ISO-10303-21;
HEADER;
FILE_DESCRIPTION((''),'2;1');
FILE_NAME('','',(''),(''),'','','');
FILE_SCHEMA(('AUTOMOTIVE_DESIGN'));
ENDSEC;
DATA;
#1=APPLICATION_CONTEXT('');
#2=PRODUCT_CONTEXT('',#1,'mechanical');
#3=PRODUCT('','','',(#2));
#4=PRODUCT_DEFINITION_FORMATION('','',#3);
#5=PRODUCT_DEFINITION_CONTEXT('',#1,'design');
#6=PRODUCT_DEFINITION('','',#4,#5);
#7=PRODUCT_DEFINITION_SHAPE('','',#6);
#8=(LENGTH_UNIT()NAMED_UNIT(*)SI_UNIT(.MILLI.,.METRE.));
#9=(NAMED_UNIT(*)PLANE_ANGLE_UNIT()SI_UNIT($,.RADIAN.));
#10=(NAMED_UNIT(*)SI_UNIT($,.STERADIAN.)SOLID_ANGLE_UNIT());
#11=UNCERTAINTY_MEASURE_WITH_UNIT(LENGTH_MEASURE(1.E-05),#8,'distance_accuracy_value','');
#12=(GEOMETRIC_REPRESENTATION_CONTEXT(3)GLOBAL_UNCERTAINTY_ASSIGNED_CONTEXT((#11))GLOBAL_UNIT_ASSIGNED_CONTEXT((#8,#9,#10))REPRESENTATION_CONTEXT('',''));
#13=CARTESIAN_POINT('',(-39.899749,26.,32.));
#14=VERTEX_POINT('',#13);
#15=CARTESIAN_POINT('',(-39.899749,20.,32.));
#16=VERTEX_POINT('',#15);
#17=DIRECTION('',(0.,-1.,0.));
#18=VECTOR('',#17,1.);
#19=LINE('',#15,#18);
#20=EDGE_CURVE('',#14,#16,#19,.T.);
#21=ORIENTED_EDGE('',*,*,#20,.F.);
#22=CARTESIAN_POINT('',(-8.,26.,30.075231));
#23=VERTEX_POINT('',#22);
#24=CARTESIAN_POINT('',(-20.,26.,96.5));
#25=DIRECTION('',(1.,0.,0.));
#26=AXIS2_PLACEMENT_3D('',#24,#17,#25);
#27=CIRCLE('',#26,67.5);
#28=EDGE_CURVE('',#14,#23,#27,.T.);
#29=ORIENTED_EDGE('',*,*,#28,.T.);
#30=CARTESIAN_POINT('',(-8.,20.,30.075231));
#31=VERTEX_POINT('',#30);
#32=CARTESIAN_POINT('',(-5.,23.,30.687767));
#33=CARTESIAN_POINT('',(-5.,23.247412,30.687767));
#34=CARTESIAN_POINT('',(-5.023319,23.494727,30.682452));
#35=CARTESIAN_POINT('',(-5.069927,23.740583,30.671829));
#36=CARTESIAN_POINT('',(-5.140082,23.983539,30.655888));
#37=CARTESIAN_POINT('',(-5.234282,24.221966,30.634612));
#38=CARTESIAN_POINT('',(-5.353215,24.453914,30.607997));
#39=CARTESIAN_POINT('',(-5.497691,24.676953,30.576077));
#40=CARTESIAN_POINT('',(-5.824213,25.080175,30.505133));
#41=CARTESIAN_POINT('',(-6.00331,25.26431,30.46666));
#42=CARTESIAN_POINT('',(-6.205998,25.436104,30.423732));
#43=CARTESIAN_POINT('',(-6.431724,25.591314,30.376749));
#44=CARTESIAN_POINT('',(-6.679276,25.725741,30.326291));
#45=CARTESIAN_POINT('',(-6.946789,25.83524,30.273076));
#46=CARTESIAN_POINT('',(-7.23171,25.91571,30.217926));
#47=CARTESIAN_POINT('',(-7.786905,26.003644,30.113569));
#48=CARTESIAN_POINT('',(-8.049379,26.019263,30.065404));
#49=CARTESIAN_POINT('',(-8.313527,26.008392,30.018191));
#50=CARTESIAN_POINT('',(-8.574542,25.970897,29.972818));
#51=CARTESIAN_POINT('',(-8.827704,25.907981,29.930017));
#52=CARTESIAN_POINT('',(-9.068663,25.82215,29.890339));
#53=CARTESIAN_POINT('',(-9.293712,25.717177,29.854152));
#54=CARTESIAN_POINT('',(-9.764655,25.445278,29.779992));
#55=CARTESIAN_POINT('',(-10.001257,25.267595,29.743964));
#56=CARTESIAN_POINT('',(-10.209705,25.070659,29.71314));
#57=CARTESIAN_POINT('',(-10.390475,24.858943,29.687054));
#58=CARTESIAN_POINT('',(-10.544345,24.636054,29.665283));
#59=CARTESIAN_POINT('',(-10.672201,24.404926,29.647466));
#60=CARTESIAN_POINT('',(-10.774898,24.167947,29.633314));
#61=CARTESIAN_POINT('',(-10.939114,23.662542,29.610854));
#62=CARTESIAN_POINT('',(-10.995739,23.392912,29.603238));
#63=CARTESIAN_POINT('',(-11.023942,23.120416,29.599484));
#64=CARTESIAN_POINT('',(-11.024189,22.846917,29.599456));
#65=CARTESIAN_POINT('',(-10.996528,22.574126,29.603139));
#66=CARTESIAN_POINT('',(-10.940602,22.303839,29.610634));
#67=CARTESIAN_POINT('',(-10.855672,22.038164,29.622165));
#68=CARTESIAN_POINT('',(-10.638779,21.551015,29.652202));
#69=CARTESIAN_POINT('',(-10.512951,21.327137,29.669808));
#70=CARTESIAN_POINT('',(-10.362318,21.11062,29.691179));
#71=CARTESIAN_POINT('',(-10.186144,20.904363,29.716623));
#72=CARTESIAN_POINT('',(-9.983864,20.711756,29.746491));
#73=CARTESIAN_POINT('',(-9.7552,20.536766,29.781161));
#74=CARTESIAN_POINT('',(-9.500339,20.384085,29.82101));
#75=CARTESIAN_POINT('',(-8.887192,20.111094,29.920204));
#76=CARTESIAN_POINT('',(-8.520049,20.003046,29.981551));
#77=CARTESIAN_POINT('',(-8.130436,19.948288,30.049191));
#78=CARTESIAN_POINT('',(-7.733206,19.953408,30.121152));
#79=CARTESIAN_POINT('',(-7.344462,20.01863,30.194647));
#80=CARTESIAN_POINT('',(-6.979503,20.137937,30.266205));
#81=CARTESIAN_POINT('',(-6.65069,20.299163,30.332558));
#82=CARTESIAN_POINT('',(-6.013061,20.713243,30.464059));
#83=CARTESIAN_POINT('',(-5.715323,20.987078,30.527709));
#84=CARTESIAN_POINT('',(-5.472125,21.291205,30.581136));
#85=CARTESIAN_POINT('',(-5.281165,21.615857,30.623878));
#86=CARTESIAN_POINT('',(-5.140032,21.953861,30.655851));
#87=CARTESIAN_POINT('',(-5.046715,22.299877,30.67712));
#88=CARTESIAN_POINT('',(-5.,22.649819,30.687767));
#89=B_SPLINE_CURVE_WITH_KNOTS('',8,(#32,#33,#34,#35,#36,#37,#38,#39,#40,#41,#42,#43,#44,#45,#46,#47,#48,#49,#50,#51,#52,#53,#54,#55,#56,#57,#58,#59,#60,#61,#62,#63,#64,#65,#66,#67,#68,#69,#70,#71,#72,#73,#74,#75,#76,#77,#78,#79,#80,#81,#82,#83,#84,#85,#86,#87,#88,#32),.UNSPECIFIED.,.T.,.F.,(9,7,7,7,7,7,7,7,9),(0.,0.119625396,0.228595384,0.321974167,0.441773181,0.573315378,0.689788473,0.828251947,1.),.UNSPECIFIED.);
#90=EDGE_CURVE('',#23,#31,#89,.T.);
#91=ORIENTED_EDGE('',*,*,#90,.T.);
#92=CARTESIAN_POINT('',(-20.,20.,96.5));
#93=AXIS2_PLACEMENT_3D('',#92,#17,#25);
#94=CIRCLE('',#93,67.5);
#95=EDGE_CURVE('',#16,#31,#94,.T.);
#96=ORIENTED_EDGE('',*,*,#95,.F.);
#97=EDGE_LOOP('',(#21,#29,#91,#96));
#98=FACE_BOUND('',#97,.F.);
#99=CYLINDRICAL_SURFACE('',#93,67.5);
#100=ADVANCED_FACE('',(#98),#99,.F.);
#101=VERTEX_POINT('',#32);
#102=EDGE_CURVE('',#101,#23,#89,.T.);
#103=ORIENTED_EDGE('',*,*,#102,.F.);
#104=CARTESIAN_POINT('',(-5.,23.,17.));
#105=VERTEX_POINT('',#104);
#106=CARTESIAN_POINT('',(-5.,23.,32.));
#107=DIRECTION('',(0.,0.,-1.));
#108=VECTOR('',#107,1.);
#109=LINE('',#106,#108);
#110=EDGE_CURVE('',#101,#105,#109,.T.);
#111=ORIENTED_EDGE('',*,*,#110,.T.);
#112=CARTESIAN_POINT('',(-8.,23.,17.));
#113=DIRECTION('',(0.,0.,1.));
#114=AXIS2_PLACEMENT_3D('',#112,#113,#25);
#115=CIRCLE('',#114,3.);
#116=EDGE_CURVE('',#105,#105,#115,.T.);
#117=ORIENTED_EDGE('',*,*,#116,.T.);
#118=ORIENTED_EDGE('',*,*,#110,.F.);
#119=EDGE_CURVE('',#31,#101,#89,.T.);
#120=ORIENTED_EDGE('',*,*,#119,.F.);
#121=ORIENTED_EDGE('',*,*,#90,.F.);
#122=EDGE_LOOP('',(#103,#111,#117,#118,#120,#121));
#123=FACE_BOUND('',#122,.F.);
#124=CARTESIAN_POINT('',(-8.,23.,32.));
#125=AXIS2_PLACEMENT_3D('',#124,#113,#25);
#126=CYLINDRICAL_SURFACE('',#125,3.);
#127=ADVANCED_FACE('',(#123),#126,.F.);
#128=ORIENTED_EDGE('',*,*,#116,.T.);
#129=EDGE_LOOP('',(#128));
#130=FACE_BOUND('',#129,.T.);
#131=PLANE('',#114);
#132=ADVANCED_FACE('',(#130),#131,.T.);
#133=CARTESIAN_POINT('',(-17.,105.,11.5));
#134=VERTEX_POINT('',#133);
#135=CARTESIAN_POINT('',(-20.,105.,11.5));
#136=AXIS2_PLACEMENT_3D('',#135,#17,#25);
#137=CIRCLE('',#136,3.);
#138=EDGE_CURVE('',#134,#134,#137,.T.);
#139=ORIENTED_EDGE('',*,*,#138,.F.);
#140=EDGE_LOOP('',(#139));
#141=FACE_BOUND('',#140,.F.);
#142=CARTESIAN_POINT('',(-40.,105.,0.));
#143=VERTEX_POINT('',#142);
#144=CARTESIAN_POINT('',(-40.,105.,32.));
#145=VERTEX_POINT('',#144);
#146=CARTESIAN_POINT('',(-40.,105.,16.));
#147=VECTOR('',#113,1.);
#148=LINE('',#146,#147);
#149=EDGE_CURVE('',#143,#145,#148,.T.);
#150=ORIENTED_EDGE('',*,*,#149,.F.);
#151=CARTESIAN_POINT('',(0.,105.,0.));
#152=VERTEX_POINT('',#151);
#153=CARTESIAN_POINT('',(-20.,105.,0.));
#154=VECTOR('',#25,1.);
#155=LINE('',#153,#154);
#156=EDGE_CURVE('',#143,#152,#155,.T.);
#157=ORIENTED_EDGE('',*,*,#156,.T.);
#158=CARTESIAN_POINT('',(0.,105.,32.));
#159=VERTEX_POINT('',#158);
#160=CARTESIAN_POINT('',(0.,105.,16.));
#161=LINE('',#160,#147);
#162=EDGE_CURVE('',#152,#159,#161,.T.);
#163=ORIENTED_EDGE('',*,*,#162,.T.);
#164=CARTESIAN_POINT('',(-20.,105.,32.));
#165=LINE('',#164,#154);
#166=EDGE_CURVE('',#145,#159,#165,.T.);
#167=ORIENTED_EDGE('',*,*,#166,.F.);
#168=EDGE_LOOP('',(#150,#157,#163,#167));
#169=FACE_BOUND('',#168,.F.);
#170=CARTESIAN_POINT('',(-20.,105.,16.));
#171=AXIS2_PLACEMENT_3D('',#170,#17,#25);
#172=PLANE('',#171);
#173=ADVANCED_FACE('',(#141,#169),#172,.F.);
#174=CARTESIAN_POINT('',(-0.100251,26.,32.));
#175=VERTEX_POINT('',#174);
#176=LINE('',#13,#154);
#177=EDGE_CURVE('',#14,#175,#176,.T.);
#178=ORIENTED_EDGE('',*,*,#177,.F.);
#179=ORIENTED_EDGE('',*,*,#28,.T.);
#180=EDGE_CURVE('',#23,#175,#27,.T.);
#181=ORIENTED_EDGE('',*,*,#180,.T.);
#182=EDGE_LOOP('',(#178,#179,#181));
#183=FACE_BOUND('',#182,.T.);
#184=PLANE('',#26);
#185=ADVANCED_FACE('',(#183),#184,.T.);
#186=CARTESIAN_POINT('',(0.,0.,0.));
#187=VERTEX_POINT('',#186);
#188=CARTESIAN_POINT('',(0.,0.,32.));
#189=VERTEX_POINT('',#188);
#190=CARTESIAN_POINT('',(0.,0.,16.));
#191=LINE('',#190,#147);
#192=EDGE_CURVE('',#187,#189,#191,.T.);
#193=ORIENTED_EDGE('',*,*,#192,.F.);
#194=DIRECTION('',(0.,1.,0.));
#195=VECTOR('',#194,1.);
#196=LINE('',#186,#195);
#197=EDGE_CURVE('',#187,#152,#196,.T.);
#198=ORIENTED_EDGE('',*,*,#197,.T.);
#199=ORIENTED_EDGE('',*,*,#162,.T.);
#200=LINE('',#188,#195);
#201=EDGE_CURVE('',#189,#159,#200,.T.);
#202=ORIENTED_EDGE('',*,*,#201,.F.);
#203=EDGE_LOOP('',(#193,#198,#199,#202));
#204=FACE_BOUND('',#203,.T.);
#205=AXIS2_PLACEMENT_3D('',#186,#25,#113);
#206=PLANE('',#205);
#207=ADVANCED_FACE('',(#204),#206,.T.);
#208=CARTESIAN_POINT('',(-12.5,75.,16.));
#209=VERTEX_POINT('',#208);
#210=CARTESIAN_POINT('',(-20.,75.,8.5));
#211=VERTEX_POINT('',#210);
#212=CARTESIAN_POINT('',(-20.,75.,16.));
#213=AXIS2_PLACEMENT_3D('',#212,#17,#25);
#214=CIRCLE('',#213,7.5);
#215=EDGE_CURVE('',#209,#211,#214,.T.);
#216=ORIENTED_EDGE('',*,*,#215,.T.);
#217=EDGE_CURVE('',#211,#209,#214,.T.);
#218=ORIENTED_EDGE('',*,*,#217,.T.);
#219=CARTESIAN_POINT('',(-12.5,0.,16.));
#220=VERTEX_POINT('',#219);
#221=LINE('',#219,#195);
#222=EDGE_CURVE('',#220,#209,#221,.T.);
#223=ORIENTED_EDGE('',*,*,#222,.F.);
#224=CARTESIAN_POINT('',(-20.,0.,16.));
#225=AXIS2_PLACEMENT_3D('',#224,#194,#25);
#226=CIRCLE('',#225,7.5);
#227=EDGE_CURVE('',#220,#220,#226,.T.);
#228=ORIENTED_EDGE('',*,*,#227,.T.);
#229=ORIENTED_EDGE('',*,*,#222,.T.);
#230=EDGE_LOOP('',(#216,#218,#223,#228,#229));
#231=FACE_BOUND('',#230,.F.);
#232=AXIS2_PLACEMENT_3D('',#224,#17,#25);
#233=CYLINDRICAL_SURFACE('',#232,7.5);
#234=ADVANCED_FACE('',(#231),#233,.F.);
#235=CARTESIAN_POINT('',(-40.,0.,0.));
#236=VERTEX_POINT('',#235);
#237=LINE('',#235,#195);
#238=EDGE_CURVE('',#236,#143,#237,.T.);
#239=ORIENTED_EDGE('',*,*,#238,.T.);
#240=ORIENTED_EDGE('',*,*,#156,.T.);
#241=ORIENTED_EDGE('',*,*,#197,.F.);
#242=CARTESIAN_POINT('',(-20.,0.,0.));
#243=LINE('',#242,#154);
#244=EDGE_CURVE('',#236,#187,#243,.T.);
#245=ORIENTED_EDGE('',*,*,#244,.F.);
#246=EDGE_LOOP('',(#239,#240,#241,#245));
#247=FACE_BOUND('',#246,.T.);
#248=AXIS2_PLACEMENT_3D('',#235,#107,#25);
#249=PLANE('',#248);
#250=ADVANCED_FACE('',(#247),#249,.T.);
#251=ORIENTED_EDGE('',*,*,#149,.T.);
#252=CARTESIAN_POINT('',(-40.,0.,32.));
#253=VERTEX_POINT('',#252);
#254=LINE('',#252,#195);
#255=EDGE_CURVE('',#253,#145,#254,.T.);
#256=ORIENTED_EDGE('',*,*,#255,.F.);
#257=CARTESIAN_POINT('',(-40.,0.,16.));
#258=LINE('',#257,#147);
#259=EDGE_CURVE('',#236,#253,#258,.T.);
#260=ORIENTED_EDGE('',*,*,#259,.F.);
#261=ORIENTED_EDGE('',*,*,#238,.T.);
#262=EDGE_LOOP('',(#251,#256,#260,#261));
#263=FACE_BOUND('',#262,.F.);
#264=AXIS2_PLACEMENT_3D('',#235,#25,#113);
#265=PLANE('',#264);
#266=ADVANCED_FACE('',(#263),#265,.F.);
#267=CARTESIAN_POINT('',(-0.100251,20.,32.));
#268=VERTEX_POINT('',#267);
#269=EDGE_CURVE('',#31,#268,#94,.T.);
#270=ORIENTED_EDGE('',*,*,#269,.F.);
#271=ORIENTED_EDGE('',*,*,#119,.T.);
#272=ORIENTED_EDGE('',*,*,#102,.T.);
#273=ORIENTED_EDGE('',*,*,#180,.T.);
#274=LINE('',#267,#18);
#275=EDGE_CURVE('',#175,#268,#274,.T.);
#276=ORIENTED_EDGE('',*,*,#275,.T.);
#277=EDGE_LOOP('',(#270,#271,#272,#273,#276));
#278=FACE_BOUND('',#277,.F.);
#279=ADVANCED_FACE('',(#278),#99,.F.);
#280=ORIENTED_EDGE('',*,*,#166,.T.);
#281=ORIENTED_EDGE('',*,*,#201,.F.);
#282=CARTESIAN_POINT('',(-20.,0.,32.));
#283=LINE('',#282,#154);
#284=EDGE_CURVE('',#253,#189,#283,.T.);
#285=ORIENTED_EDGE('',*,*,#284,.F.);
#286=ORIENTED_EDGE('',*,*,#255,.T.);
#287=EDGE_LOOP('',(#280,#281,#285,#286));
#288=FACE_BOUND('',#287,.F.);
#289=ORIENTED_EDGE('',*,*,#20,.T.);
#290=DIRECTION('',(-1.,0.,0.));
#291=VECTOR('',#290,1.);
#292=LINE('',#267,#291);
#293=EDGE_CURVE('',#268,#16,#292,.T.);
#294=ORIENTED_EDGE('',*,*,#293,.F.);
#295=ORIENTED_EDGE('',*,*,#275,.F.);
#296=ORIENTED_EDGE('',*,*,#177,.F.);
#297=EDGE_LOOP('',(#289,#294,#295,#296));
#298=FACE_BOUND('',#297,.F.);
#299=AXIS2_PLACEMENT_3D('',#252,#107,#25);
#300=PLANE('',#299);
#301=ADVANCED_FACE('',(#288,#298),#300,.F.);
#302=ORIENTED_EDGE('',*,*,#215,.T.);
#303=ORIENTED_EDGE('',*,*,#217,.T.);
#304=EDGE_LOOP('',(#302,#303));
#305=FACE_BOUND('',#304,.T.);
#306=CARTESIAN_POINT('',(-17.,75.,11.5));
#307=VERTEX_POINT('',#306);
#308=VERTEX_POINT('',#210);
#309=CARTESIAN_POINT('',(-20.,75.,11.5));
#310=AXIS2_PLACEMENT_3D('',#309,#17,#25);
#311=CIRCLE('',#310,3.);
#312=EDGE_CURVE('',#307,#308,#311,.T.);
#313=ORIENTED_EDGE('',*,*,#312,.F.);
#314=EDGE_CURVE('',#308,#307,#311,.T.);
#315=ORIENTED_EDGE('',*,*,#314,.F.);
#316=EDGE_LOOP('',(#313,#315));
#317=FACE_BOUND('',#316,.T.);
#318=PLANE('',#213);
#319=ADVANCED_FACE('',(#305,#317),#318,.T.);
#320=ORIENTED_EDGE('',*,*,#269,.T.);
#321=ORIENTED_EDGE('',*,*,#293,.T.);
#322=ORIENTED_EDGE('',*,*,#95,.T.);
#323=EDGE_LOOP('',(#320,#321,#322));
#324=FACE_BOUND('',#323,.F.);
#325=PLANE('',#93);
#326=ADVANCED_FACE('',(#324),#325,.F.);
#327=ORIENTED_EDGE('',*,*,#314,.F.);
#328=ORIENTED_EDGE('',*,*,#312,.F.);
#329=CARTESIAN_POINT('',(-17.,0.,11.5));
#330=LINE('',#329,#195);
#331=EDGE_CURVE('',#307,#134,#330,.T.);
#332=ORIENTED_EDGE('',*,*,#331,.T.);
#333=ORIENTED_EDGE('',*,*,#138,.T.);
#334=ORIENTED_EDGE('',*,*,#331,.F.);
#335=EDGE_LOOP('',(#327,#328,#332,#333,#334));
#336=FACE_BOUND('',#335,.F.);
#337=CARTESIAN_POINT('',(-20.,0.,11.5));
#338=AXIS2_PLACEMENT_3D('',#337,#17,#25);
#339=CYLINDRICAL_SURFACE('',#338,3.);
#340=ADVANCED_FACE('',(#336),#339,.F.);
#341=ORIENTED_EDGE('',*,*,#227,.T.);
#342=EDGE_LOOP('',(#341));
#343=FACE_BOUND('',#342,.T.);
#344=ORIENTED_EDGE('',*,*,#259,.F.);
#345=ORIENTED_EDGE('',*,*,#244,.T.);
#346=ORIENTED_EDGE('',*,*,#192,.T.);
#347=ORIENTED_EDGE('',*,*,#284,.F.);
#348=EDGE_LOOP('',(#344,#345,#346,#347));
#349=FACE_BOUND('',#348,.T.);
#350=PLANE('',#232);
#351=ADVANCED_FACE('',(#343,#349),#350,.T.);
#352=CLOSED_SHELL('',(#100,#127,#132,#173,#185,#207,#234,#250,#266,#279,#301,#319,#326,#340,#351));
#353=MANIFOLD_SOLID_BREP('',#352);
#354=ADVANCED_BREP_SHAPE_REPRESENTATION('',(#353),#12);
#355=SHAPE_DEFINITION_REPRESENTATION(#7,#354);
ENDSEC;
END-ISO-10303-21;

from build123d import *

# Parameters (mm, degrees)
F0_W      = 40
F0_H      = 32
F1_DEPTH  = 105
F2_R      = 7.5
F3_DEPTH  = 75
F4_R      = 3
F5_DEPTH  = 105.001
F7_R      = 67.5
F8_DEPTH  = 6
F10_R     = 3
F11_DEPTH = 15


with BuildPart() as f1:
    # F0 (on Front) → F1 (new body)
    with BuildSketch(Plane.XZ):
        with Locations((-20, 16)):
            Rectangle(F0_W, F0_H)
    extrude(amount=-F1_DEPTH)

    # F2 (on face) → F3 (cut)
    with BuildSketch(Plane.XZ):
        with Locations((-20, 16)):
            Circle(F2_R)
    extrude(amount=-F3_DEPTH, mode=Mode.SUBTRACT)

    # F4 (on Front) → F5 (cut, through all)
    with BuildSketch(Plane.XZ):
        with Locations((-20, 11.5)):
            Circle(F4_R)
    extrude(amount=-F5_DEPTH, mode=Mode.SUBTRACT)

    # F7 (on offset) → F8 (cut)
    with BuildSketch(Plane.XZ.offset(-20)):
        with Locations((-20, 96.5)):
            Circle(F7_R)
    extrude(amount=-F8_DEPTH, mode=Mode.SUBTRACT)

    # F10 (on offset) → F11 (cut)
    with BuildSketch(Plane.XY.offset(32)):
        with Locations((-8, 23)):
            Circle(F10_R)
    extrude(amount=-F11_DEPTH, mode=Mode.SUBTRACT)


solid = f1.part
